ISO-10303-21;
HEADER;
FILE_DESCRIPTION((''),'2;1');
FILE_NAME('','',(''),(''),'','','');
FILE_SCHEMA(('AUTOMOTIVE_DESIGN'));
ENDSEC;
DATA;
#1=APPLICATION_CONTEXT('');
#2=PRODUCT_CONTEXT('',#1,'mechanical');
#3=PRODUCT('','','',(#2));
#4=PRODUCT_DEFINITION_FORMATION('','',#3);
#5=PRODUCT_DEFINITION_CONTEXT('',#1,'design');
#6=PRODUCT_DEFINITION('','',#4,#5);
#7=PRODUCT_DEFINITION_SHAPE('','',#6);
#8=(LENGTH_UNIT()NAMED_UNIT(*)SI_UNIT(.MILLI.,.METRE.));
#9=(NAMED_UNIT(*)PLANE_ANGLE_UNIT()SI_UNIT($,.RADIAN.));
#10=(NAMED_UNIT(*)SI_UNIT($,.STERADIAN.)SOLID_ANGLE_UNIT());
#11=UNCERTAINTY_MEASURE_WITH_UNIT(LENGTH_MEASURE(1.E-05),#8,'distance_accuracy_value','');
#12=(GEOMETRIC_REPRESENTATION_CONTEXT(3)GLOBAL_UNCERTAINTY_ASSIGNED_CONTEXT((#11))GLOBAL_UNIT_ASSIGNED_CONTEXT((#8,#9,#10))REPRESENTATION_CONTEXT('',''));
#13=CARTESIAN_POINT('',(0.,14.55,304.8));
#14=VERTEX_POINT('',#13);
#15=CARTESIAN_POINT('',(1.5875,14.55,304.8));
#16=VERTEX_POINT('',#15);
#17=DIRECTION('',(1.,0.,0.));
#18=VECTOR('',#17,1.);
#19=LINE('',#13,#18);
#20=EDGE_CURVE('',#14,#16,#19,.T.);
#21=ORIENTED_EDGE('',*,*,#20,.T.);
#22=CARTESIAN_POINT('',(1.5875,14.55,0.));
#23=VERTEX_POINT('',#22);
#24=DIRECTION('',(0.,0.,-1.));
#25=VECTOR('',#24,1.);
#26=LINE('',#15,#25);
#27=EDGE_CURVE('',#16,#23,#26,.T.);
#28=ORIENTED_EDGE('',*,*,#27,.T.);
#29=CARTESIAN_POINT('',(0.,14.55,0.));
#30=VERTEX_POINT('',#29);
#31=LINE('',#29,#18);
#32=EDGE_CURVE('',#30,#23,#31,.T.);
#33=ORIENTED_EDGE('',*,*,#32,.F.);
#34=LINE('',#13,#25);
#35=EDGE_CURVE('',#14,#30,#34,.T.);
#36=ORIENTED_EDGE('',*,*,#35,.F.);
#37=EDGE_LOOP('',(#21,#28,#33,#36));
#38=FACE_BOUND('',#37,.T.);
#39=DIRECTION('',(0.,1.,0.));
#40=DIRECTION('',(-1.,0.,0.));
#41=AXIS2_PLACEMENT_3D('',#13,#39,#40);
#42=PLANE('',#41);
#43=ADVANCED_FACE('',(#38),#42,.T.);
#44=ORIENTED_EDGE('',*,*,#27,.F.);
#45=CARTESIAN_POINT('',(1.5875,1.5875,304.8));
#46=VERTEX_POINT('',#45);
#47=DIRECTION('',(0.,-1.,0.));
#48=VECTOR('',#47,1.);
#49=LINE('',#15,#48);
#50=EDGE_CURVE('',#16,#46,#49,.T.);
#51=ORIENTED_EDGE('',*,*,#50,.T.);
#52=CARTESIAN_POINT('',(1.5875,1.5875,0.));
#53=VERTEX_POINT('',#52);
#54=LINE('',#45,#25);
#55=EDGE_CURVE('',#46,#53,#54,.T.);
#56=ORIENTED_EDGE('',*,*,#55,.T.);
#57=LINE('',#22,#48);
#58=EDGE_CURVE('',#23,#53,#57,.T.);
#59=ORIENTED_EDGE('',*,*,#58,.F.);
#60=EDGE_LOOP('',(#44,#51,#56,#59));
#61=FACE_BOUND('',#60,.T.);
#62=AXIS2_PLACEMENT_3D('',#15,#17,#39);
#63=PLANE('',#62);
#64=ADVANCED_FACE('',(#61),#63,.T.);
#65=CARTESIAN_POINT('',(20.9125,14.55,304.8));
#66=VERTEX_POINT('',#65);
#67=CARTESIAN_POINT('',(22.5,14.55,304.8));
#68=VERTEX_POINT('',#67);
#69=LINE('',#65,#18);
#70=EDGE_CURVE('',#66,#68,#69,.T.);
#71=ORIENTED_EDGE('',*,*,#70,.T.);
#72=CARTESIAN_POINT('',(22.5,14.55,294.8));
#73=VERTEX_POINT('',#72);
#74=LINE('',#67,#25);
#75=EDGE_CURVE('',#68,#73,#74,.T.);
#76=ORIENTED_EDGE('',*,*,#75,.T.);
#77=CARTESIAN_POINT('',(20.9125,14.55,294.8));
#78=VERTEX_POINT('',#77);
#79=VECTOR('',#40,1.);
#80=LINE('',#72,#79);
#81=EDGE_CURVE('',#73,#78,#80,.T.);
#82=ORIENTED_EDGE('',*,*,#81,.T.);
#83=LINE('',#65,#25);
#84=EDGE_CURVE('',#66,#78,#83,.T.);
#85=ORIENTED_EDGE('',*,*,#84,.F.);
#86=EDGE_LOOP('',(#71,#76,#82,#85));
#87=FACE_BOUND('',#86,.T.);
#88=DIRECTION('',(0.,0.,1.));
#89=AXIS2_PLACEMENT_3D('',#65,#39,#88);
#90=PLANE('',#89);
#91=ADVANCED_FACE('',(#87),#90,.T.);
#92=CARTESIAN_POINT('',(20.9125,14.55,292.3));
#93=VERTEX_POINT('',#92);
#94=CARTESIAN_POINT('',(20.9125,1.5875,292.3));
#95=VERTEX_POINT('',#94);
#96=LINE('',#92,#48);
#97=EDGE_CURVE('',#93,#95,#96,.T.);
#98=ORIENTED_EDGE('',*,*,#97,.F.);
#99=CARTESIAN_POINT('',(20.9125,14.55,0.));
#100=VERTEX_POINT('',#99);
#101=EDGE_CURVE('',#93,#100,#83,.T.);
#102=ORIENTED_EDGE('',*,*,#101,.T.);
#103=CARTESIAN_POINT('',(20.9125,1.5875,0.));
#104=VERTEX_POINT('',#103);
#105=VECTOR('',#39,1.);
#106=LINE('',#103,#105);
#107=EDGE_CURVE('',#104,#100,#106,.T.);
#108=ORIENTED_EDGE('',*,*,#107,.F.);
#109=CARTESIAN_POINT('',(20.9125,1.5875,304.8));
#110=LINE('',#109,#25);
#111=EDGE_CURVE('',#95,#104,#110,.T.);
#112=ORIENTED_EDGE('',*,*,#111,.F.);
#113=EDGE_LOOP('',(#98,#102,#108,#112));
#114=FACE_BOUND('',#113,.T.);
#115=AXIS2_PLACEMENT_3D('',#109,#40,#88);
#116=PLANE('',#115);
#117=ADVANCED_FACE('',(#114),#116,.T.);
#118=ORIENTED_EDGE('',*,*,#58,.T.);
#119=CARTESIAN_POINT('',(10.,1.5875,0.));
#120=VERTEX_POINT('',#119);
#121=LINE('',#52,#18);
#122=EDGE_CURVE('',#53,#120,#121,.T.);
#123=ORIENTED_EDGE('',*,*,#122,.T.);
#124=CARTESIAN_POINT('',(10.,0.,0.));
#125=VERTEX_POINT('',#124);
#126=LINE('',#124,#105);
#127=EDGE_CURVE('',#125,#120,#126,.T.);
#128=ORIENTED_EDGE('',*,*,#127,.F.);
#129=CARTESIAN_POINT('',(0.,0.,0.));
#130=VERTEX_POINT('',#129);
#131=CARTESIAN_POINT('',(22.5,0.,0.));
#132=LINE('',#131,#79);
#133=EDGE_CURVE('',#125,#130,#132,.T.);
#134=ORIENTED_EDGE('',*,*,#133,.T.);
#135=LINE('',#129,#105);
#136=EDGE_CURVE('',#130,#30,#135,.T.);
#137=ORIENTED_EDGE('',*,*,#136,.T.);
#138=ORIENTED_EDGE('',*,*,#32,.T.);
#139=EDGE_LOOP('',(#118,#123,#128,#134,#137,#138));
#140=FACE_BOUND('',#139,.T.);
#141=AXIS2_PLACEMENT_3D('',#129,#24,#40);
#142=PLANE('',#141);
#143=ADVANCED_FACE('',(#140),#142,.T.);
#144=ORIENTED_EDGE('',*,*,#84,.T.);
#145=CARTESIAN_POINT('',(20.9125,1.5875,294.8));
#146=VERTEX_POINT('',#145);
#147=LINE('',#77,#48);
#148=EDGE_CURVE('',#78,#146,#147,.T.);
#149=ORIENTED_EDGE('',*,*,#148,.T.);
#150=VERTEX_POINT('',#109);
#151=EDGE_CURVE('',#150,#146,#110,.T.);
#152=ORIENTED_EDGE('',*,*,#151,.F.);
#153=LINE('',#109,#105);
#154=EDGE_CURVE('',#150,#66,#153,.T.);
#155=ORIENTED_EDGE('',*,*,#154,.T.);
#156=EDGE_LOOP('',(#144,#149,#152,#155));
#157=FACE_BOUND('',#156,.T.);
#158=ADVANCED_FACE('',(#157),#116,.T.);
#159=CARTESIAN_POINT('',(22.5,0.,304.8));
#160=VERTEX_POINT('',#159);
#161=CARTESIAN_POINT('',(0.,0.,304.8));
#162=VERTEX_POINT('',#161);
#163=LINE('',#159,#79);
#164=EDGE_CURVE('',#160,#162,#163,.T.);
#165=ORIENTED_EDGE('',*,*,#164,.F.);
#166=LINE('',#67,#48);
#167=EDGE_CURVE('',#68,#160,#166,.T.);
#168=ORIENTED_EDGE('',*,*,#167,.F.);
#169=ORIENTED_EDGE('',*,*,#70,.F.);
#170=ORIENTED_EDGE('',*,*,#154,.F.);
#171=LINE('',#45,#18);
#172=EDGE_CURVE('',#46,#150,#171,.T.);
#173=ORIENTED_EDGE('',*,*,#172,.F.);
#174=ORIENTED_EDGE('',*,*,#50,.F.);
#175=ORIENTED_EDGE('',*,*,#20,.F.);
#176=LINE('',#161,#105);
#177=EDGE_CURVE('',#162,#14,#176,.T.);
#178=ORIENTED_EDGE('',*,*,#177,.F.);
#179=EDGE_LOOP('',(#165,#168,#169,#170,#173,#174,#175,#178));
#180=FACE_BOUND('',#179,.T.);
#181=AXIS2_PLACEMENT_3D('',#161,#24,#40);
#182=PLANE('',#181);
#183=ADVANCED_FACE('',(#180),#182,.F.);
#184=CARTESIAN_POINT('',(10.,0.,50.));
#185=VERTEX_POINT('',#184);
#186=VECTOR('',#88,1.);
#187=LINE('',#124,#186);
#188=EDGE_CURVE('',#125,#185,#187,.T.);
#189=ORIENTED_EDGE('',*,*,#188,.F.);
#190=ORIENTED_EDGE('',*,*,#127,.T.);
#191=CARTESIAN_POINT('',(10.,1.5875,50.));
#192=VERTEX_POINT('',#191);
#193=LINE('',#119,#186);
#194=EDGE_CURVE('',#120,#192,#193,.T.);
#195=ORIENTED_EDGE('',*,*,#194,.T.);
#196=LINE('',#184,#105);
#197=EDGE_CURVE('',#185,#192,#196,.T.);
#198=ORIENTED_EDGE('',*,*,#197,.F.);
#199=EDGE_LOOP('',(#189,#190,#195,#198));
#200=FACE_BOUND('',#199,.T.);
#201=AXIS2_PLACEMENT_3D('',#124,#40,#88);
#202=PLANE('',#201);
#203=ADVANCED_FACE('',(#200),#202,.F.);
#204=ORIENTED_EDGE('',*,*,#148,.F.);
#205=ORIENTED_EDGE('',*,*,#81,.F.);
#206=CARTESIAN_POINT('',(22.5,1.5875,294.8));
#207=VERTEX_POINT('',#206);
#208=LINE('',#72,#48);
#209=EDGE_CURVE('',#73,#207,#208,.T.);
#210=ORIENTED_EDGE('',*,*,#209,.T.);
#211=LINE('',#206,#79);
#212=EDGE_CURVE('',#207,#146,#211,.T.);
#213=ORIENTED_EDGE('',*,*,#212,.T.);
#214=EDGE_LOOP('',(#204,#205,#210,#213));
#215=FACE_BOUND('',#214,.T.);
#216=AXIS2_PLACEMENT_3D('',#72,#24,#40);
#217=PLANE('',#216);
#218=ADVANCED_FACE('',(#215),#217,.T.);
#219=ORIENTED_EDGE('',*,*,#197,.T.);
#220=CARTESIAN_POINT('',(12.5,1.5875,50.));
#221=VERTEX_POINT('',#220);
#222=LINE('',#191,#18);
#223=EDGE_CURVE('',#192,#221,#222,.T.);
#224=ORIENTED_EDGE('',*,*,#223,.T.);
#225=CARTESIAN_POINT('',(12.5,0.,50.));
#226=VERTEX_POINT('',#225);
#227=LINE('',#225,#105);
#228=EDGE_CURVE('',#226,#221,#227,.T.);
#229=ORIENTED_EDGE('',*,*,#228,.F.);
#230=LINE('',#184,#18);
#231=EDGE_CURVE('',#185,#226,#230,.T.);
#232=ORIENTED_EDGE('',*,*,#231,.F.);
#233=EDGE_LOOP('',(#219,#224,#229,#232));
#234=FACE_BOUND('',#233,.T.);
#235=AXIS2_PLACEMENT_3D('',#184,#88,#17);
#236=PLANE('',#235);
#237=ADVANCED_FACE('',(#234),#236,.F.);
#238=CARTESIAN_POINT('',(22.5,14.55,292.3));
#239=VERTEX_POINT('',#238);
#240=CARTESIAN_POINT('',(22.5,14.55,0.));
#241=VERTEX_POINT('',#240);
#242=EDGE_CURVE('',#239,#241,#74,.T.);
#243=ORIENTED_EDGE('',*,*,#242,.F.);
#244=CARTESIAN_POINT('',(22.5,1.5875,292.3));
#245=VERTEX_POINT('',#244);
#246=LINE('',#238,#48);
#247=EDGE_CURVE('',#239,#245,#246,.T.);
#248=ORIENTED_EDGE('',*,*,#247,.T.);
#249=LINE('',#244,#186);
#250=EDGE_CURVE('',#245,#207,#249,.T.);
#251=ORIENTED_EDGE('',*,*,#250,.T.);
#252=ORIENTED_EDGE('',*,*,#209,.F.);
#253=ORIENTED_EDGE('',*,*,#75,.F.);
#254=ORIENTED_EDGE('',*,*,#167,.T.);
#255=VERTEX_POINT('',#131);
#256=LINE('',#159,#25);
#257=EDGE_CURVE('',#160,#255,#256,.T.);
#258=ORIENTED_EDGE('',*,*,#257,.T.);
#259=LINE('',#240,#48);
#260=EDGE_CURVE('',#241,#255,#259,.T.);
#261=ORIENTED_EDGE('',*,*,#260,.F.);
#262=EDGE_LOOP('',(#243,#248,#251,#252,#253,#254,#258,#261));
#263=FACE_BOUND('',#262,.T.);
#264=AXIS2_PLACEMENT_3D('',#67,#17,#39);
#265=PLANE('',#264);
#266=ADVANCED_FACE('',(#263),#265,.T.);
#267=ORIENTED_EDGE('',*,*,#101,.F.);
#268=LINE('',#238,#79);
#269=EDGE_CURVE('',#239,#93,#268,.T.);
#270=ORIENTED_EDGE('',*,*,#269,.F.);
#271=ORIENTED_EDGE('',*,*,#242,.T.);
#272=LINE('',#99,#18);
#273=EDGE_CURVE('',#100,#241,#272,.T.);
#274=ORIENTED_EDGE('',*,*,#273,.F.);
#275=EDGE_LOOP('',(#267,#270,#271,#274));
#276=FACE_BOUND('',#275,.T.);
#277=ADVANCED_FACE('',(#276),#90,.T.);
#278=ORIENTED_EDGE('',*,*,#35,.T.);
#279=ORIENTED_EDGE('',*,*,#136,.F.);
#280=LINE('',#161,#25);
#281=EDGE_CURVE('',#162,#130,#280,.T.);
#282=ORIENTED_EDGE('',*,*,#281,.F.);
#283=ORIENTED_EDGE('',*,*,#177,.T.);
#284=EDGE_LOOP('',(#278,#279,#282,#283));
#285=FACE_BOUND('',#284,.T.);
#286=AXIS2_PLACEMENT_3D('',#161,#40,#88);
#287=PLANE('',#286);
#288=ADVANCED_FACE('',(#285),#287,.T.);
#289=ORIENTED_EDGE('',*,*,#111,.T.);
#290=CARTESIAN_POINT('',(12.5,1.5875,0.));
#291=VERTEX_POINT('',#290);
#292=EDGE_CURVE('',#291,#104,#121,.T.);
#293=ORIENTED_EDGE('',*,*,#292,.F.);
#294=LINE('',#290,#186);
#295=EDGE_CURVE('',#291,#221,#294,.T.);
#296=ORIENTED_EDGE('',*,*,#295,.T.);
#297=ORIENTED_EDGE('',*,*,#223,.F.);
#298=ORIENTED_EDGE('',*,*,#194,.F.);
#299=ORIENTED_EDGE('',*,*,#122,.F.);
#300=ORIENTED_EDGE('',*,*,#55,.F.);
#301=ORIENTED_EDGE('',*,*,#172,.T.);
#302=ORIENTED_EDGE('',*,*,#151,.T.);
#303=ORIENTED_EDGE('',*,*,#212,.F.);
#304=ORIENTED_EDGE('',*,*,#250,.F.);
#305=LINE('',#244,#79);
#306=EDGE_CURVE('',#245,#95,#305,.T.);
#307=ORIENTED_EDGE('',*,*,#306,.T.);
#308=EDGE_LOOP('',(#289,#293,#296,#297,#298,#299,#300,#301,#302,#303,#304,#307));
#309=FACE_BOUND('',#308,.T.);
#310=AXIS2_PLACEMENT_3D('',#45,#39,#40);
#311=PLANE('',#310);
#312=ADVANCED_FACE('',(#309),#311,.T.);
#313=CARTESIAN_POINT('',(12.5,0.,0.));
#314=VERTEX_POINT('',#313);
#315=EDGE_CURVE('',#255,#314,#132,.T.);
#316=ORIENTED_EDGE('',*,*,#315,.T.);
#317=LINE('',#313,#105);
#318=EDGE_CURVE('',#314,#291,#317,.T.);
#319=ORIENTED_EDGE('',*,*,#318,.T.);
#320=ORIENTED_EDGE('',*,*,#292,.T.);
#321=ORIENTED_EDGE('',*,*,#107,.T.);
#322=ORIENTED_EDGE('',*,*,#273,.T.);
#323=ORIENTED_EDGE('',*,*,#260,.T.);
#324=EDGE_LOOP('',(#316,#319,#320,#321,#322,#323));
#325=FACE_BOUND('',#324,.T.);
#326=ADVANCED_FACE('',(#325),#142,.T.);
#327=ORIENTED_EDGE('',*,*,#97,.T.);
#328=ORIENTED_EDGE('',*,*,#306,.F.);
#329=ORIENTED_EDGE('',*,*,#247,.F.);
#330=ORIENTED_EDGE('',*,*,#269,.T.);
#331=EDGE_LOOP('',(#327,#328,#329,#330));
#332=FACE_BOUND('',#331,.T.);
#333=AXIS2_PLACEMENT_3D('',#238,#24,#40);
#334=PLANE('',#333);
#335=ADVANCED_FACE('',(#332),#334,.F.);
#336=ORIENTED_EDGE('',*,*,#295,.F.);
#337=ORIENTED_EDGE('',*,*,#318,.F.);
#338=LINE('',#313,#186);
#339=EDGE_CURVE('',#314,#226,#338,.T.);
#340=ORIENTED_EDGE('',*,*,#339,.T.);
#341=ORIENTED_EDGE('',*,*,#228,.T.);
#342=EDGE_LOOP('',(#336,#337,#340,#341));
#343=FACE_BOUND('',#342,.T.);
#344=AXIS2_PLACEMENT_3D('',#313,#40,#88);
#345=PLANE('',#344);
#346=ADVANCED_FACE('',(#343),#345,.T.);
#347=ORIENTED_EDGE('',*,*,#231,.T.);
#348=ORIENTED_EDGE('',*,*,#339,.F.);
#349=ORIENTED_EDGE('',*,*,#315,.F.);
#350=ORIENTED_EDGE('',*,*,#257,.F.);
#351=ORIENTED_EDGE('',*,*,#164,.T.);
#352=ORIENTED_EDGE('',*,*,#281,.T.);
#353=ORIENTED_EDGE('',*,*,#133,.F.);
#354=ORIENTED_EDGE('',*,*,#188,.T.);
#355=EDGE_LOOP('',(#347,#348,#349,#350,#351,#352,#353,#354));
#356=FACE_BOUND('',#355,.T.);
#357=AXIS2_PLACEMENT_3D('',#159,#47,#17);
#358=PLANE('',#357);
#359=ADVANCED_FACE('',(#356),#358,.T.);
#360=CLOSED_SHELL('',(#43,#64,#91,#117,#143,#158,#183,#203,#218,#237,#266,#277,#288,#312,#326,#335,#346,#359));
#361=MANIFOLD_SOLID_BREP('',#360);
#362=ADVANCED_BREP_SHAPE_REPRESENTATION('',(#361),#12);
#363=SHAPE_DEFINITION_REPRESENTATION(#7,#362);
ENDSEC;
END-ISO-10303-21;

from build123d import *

# Parameters (mm, degrees)
BOSS_EXTRUDE1_DEPTH = 304.8
SKETCH3_W           = 2.5
SKETCH3_H           = 12.9625
CUT_EXTRUDE1_DEPTH  = 2.5875
SKETCH4_W           = 2.5
SKETCH4_H           = 50
CUT_EXTRUDE2_DEPTH  = 2.5875


with BuildPart() as part:
    # Sketch1 → Boss-Extrude1 (new body)
    with BuildSketch(Plane.XY):
        Polygon((0, 0), (0, 14.55), (1.5875, 14.55), (1.5875, 1.5875), (20.9125, 1.5875), (20.9125, 14.55), (22.5, 14.55), (22.5, 0), align=None)
    extrude(amount=BOSS_EXTRUDE1_DEPTH)

    # Sketch3 → Cut-Extrude1 (cut, through all)
    with BuildSketch(Plane.ZY.offset(-20.9125)):
        with Locations((293.55, 8.06875)):
            Rectangle(SKETCH3_W, SKETCH3_H)
    extrude(amount=-CUT_EXTRUDE1_DEPTH, mode=Mode.SUBTRACT)

    # Sketch4 → Cut-Extrude2 (cut, through all)
    with BuildSketch(Plane(origin=(0, 1.5875, 0), x_dir=(1, 0, 0), z_dir=(0, 1, 0))):
        with Locations((11.25, -25)):
            Rectangle(SKETCH4_W, SKETCH4_H)
    extrude(amount=-CUT_EXTRUDE2_DEPTH, mode=Mode.SUBTRACT)


solid = part.part
